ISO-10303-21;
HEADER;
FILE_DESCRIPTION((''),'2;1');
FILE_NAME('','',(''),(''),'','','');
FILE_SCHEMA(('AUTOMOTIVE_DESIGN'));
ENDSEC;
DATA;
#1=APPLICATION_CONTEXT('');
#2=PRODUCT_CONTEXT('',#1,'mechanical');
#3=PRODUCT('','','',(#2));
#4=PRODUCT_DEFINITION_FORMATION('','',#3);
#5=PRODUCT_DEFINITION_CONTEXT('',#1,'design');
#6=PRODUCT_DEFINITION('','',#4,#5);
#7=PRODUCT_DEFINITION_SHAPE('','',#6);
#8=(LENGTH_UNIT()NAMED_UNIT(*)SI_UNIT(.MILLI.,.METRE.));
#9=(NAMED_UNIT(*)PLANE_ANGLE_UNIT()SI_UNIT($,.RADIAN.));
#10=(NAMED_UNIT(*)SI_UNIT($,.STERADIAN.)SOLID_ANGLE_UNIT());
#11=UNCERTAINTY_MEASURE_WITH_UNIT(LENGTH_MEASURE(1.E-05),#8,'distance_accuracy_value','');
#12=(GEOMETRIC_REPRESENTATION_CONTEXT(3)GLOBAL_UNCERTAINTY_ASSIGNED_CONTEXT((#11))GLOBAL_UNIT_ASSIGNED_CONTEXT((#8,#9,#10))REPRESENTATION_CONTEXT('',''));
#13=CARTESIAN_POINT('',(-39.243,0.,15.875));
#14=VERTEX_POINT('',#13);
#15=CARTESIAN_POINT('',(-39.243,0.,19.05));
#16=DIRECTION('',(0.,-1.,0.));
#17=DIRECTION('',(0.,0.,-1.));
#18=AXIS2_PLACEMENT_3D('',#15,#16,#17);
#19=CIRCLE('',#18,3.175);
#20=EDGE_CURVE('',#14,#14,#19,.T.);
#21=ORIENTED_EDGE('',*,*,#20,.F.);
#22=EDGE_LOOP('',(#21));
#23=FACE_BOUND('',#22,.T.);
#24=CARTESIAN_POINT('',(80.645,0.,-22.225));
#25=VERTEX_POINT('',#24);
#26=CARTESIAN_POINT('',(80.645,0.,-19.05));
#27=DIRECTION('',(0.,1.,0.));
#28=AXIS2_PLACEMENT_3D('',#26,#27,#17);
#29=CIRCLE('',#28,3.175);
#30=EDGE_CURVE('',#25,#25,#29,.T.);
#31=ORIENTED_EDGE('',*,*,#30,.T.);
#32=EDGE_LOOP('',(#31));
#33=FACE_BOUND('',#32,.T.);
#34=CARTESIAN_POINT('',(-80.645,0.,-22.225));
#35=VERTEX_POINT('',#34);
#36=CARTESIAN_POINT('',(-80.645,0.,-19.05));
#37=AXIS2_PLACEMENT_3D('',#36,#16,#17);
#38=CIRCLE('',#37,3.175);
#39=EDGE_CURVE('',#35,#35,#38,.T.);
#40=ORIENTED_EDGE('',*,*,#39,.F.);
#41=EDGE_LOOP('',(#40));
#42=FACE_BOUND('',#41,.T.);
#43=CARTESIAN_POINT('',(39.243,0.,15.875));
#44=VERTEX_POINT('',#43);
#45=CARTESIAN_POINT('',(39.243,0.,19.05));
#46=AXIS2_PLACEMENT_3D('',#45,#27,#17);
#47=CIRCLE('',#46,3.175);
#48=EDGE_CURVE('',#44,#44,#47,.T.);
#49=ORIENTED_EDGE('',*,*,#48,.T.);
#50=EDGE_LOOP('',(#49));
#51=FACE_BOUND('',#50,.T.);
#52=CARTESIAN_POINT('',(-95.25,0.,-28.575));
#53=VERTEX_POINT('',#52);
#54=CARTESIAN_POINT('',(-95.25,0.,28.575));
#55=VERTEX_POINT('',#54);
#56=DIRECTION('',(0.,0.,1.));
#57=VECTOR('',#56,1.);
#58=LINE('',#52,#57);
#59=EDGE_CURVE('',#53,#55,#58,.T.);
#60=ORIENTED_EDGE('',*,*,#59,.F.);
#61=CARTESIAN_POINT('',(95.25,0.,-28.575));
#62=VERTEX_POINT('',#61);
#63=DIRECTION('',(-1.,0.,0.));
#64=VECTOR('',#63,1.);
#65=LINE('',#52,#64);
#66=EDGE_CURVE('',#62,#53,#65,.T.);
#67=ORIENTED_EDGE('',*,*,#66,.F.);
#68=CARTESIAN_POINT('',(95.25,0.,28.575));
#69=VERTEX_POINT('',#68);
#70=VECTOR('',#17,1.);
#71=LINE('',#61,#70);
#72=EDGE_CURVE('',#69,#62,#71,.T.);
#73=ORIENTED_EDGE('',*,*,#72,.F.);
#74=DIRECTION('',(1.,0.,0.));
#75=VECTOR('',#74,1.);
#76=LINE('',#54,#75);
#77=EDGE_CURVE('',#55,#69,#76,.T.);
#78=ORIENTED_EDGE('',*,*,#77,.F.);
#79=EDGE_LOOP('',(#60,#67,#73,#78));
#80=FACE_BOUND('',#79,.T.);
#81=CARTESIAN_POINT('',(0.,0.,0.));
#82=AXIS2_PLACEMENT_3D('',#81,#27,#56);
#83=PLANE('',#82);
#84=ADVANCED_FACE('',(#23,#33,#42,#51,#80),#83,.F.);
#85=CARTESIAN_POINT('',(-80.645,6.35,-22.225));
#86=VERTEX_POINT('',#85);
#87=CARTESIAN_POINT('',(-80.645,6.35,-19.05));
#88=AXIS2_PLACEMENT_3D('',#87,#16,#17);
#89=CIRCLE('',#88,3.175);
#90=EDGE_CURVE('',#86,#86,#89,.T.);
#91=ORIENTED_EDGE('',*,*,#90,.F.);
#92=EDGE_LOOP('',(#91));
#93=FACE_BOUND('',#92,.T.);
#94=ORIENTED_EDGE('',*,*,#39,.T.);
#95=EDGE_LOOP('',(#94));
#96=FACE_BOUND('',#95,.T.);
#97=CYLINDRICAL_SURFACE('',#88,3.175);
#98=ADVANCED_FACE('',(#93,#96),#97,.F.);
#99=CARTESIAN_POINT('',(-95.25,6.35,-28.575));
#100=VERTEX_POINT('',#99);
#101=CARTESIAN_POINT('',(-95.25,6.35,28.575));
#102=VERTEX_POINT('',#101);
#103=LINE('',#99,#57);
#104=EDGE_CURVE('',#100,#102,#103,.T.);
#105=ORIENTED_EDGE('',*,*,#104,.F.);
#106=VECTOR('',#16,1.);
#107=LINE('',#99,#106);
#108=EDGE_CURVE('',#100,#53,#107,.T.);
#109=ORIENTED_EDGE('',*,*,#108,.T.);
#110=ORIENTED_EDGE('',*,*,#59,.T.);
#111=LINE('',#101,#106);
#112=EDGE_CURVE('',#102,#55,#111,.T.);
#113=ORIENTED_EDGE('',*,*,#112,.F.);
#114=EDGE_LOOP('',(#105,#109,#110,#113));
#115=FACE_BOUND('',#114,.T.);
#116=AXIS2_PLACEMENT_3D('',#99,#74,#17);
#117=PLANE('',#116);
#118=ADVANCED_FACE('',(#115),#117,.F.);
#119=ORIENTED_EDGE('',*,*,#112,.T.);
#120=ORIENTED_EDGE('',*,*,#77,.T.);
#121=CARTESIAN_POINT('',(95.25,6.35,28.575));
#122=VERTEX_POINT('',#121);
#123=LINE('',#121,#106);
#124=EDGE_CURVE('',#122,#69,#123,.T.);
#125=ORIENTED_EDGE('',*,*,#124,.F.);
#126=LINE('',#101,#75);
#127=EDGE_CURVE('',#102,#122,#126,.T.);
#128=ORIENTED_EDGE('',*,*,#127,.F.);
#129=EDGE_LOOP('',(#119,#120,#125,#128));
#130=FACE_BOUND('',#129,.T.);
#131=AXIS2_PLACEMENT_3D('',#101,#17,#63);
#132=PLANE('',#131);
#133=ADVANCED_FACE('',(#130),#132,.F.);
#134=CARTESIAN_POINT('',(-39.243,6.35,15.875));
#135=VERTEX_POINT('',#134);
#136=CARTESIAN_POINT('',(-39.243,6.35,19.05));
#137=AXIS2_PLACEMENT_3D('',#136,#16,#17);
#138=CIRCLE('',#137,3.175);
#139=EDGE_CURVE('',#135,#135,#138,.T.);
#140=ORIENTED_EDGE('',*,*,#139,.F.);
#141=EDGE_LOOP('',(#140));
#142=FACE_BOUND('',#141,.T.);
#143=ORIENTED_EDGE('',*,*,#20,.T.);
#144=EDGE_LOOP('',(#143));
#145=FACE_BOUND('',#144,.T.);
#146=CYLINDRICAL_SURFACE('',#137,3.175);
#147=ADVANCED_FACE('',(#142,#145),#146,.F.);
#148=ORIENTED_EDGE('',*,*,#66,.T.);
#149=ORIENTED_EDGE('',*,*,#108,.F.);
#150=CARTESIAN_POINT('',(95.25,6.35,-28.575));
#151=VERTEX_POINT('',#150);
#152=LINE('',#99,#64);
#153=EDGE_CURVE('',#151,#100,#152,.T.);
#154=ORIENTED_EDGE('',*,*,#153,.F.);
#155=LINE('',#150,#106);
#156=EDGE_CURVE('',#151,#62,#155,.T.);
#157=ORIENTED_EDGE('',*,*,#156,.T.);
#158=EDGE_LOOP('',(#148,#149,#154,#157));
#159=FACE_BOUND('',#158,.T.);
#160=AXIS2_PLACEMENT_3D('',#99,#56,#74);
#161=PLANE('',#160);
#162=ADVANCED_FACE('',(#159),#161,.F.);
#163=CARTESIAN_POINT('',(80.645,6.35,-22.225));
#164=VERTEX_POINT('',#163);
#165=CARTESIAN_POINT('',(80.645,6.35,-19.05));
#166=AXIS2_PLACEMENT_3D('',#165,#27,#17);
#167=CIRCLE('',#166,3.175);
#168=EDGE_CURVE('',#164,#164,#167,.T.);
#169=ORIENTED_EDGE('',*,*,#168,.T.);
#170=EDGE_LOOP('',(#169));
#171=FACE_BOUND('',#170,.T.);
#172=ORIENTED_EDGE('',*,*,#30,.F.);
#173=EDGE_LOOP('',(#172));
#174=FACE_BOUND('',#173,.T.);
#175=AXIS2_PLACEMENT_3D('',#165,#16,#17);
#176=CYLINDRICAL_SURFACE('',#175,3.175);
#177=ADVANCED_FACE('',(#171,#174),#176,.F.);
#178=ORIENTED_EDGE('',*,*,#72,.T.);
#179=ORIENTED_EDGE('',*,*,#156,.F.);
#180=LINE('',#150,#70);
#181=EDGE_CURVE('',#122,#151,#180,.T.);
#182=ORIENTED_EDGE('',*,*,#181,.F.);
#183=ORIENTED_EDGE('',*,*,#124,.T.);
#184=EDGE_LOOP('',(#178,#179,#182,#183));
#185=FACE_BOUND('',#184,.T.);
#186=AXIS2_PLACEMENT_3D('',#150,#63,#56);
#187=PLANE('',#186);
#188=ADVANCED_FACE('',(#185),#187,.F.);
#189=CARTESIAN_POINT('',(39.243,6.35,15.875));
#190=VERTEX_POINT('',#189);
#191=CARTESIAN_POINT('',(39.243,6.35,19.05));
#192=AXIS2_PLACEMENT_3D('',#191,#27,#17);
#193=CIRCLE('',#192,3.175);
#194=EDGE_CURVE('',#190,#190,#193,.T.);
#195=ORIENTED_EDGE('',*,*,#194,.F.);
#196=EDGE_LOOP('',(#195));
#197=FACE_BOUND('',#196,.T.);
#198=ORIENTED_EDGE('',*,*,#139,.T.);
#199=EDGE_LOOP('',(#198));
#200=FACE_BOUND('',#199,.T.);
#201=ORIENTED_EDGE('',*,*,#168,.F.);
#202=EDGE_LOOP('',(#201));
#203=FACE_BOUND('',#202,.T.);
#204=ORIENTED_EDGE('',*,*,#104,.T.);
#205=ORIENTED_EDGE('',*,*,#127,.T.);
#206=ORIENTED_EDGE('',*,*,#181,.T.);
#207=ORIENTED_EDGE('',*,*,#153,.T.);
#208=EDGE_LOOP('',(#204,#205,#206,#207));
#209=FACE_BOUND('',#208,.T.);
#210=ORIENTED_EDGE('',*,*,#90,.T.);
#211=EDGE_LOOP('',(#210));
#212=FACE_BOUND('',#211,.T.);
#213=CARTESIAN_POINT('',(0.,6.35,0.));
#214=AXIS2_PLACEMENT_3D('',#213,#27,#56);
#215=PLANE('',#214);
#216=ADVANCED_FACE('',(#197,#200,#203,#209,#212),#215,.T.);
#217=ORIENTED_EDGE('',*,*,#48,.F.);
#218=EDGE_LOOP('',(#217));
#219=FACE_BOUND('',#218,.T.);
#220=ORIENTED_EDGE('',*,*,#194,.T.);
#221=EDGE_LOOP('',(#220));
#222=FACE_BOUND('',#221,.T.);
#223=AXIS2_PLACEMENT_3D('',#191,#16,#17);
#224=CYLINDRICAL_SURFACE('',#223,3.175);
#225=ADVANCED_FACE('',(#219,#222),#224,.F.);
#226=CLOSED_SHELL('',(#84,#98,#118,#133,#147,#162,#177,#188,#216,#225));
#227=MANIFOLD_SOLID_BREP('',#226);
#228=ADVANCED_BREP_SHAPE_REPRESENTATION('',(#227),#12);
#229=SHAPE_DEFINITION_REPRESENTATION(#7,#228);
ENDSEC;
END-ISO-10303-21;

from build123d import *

# Parameters (mm, degrees)
SKETCH1_W           = 190.5
SKETCH1_H           = 57.15
BOSS_EXTRUDE1_DEPTH = 6.35
SKETCH3_R           = 3.175
CUT_EXTRUDE2_DEPTH  = 7.35


with BuildPart() as part:
    # Sketch1 → Boss-Extrude1 (new body)
    with BuildSketch(Plane(origin=(0, 0, 0), x_dir=(1, 0, 0), z_dir=(0, 1, 0))):
        Rectangle(SKETCH1_W, SKETCH1_H)
    extrude(amount=BOSS_EXTRUDE1_DEPTH)

    # Sketch3 → Cut-Extrude2 (cut, through all)
    with BuildSketch(Plane.XZ):
        with Locations((-80.645, -19.05)):
            Circle(SKETCH3_R)
        with Locations((-39.243, 19.05)):
            Circle(SKETCH3_R)
    cut_extrude2 = extrude(amount=-CUT_EXTRUDE2_DEPTH, mode=Mode.SUBTRACT)

    # Mirror1: Cut-Extrude2 across plane
    add(cut_extrude2.mirror(Plane(origin=(0, 0, 0), x_dir=(0, 0, 1), z_dir=(1, 0, 0))), mode=Mode.SUBTRACT)


solid = part.part
